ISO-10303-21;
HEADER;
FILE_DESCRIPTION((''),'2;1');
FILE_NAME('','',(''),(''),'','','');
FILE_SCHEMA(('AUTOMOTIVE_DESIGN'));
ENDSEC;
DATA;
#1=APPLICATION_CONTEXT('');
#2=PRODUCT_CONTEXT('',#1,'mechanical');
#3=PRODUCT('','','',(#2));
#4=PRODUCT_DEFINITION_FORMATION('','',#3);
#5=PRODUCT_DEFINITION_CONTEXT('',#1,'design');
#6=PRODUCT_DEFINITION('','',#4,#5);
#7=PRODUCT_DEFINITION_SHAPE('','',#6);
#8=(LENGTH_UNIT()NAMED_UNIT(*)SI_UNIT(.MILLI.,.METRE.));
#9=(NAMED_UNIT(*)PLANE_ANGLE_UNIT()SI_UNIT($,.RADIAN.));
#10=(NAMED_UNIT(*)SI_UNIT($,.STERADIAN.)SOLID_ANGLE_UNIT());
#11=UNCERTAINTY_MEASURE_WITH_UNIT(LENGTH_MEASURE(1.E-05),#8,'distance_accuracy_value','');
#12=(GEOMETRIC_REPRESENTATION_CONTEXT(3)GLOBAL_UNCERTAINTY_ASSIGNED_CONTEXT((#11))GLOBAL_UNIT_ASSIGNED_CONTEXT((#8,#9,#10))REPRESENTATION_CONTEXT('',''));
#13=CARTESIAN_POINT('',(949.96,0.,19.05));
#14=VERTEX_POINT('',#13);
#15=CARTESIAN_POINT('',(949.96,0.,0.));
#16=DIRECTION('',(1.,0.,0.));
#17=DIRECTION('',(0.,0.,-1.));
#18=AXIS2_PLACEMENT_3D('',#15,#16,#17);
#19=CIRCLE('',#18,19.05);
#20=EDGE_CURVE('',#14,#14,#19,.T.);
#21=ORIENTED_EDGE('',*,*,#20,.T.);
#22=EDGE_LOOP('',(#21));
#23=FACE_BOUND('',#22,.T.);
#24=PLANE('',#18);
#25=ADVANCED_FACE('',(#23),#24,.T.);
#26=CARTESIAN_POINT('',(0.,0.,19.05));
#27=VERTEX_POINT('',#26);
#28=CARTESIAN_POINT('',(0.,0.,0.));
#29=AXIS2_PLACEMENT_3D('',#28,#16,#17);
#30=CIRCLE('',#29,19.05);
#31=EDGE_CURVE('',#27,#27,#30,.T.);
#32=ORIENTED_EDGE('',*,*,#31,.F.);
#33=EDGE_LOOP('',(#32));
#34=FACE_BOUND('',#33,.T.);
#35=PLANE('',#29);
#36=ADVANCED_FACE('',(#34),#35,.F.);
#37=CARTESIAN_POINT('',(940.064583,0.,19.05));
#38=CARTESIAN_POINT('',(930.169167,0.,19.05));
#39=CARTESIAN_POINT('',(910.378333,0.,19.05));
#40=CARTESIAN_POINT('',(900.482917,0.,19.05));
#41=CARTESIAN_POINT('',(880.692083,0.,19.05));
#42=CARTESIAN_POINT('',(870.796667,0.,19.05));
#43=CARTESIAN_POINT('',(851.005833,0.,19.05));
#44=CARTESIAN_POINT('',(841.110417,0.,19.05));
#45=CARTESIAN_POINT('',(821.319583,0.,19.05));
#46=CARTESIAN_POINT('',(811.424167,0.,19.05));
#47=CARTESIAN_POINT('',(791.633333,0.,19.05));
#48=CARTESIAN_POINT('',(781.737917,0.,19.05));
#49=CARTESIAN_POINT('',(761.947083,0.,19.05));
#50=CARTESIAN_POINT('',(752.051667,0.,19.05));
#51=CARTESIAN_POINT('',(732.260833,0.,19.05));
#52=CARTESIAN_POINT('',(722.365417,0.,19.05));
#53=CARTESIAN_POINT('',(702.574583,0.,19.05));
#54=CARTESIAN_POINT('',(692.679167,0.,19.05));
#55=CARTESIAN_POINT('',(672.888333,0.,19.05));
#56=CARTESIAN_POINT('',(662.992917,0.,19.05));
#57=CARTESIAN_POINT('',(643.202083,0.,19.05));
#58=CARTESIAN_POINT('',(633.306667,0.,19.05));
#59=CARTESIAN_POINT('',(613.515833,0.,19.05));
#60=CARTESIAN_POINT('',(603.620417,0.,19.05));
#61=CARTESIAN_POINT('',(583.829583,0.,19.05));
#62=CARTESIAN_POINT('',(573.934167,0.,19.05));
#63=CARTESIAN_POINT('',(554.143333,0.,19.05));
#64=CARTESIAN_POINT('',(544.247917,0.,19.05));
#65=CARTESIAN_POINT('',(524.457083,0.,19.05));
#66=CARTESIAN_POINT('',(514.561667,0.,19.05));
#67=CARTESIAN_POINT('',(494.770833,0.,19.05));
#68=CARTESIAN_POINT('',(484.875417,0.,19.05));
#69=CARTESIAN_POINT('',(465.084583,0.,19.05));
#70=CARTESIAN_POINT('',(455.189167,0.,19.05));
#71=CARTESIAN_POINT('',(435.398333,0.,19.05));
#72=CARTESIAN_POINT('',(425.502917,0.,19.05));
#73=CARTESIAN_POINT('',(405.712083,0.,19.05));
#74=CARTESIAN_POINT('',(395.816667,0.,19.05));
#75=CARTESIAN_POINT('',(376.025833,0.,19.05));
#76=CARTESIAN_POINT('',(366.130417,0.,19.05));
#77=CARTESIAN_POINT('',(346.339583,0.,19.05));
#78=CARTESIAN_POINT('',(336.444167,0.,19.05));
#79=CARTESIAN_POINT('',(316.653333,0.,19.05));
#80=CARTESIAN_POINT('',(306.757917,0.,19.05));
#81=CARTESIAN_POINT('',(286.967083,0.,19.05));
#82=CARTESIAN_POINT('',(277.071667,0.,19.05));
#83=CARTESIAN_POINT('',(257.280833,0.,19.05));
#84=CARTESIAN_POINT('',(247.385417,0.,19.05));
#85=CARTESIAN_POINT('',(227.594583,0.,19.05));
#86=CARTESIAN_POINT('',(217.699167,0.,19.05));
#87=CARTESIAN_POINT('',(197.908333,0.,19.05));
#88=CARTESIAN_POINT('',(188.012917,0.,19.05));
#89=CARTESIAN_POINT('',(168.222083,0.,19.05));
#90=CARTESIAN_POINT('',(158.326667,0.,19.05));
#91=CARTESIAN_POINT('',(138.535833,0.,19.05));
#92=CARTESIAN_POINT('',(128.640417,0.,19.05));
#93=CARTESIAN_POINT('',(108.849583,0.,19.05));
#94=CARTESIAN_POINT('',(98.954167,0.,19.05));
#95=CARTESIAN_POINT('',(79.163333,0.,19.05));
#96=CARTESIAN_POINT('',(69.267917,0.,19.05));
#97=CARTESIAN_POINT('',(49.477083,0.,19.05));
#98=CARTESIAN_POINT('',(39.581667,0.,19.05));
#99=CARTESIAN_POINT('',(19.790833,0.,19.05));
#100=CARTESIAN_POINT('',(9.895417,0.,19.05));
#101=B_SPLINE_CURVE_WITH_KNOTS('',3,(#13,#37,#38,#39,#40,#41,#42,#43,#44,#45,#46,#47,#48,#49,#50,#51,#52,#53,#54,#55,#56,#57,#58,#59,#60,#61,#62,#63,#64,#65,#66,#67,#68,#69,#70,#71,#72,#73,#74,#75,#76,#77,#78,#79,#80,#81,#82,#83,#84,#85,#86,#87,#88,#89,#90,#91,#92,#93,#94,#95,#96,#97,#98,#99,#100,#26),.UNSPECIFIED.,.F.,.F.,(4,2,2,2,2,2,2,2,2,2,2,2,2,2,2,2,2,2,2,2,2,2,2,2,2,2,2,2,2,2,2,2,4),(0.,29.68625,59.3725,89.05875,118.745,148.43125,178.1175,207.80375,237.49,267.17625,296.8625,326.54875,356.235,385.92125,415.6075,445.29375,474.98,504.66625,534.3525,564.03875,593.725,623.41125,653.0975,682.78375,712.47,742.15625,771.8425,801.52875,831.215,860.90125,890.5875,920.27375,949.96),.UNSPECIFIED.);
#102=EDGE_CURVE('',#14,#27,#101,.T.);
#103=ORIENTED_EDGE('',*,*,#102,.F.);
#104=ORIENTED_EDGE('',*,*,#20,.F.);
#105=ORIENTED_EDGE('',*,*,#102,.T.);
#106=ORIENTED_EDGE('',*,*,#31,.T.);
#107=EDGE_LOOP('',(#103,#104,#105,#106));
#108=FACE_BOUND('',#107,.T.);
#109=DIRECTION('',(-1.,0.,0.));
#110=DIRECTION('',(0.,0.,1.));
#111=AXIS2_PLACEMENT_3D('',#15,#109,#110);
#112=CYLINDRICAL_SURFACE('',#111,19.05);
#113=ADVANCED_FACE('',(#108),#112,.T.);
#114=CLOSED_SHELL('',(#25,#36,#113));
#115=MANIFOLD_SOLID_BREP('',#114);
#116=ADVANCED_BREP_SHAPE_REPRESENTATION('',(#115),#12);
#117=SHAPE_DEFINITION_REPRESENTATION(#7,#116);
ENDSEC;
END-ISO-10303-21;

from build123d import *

# Parameters (mm, degrees)
SKETCH1_R           = 19.05
BOSS_EXTRUDE1_DEPTH = 949.96


with BuildPart() as part:
    # Sketch1 → Boss-Extrude1 (new body)
    with BuildSketch(Plane(origin=(0, 0, 0), x_dir=(0, 0, -1), z_dir=(1, 0, 0))):
        with Locations(Location((0, 0, 0), (0, 0, 180))):
            Circle(SKETCH1_R)
    extrude(amount=BOSS_EXTRUDE1_DEPTH)


solid = part.part
